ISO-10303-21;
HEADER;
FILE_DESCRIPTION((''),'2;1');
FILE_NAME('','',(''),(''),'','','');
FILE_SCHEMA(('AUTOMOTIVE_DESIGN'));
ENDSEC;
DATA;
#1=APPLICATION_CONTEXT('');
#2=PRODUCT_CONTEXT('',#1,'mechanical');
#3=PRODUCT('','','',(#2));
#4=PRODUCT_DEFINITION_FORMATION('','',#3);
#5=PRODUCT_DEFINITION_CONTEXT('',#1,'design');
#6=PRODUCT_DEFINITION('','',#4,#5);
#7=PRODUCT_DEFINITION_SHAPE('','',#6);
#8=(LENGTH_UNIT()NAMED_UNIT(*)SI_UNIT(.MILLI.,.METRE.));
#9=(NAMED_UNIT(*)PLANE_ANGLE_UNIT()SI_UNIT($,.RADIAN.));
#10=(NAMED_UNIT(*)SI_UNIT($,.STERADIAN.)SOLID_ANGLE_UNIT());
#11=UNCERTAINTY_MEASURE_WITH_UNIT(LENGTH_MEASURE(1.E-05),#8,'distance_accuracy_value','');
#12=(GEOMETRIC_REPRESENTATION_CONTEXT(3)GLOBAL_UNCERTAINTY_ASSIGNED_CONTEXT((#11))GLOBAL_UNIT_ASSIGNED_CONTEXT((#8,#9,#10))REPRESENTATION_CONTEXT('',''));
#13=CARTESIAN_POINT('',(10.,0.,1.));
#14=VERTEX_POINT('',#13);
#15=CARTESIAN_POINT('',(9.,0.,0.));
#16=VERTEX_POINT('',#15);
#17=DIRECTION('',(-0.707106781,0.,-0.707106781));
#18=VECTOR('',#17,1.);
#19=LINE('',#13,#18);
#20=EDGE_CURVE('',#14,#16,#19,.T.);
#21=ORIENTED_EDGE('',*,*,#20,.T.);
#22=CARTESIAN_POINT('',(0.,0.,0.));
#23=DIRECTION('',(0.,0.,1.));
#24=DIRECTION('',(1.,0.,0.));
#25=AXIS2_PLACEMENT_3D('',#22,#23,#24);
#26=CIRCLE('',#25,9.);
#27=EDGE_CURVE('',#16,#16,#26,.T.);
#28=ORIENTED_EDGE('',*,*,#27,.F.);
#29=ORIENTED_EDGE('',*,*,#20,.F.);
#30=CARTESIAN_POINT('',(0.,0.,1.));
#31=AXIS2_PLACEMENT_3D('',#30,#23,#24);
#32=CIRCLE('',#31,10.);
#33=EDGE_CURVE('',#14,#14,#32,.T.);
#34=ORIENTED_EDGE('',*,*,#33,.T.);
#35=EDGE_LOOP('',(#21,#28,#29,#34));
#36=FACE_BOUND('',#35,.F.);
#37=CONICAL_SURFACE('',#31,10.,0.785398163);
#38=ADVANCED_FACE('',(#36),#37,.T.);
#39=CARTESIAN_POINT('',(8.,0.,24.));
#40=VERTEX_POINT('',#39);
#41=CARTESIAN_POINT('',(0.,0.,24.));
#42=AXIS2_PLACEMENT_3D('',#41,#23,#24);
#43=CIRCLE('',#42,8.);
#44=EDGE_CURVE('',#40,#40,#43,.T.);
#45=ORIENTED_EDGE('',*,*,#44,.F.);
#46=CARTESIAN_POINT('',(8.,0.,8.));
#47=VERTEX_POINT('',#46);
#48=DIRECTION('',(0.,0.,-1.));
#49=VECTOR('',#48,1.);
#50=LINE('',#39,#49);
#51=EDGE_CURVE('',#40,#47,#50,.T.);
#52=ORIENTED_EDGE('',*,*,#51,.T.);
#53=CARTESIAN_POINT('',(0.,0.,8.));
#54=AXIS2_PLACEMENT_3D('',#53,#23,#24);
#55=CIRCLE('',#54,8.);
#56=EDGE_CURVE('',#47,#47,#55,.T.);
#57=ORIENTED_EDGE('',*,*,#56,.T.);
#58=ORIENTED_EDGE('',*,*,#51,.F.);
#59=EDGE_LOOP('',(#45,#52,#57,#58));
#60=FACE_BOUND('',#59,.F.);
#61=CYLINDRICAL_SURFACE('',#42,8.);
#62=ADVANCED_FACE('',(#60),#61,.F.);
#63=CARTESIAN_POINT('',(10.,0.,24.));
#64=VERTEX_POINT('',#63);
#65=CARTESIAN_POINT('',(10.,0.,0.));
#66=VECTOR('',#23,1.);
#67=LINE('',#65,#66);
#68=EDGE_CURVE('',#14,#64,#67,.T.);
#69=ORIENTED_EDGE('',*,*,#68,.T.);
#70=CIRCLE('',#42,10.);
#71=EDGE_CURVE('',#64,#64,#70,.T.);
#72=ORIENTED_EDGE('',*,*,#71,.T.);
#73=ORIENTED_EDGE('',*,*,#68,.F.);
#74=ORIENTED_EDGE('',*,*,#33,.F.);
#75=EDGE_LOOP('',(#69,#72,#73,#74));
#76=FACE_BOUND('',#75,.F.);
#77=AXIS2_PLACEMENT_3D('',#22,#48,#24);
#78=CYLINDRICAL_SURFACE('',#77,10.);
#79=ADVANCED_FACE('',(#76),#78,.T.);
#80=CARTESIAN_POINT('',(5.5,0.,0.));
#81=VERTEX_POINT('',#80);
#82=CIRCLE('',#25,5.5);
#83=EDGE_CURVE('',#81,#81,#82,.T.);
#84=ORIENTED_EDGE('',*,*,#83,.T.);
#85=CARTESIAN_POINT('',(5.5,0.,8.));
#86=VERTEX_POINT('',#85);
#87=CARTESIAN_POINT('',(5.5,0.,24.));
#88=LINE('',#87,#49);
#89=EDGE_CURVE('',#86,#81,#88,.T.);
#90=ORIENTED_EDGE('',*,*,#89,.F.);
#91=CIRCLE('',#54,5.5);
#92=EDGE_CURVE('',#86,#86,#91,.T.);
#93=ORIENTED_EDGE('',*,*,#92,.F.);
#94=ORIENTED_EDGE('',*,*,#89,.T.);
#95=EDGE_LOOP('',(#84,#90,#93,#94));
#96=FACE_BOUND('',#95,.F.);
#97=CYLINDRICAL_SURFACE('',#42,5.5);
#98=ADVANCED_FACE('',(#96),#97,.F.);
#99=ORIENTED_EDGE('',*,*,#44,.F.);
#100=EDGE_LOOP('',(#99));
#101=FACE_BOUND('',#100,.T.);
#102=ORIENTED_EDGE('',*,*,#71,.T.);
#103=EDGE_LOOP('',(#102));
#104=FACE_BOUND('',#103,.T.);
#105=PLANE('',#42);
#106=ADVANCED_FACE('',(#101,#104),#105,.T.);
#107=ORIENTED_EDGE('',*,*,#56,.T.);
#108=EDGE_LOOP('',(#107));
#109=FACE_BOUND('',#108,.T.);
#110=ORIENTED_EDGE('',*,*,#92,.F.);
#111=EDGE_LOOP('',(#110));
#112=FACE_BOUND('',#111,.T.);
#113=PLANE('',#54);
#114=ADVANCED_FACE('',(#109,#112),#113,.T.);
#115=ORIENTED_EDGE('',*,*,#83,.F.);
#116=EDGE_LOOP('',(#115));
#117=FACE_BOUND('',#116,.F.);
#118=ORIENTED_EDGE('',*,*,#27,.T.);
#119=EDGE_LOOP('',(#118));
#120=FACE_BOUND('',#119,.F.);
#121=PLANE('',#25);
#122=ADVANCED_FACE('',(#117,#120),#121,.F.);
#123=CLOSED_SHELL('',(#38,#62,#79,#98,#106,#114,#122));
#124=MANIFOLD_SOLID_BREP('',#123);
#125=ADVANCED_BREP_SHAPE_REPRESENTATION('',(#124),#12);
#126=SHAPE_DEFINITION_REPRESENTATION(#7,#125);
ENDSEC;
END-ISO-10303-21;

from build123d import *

# Parameters (mm, degrees)
F0_R     = 10
F1_DEPTH = 24
F2_SIZE  = 1
F3_R     = 5.5
F4_DEPTH = 24.001
F5_R     = 8
F6_DEPTH = 16


with BuildPart() as f1:
    # F0 (on Top) → F1 (new body)
    with BuildSketch(Plane.XY):
        Circle(F0_R)
    extrude(amount=F1_DEPTH)

    # F2
    f2_edges = [f1.edges().sort_by_distance(p)[0] for p in [
        (-10, 0, 0),
    ]]
    chamfer(f2_edges, length=F2_SIZE)

    # F3 (on face) → F4 (cut, through all)
    with BuildSketch(Plane.XY.offset(24)):
        Circle(F3_R)
    extrude(amount=-F4_DEPTH, mode=Mode.SUBTRACT)

    # F5 (on face) → F6 (cut)
    with BuildSketch(Plane.XY.offset(24)):
        Circle(F5_R)
    extrude(amount=-F6_DEPTH, mode=Mode.SUBTRACT)


solid = f1.part
